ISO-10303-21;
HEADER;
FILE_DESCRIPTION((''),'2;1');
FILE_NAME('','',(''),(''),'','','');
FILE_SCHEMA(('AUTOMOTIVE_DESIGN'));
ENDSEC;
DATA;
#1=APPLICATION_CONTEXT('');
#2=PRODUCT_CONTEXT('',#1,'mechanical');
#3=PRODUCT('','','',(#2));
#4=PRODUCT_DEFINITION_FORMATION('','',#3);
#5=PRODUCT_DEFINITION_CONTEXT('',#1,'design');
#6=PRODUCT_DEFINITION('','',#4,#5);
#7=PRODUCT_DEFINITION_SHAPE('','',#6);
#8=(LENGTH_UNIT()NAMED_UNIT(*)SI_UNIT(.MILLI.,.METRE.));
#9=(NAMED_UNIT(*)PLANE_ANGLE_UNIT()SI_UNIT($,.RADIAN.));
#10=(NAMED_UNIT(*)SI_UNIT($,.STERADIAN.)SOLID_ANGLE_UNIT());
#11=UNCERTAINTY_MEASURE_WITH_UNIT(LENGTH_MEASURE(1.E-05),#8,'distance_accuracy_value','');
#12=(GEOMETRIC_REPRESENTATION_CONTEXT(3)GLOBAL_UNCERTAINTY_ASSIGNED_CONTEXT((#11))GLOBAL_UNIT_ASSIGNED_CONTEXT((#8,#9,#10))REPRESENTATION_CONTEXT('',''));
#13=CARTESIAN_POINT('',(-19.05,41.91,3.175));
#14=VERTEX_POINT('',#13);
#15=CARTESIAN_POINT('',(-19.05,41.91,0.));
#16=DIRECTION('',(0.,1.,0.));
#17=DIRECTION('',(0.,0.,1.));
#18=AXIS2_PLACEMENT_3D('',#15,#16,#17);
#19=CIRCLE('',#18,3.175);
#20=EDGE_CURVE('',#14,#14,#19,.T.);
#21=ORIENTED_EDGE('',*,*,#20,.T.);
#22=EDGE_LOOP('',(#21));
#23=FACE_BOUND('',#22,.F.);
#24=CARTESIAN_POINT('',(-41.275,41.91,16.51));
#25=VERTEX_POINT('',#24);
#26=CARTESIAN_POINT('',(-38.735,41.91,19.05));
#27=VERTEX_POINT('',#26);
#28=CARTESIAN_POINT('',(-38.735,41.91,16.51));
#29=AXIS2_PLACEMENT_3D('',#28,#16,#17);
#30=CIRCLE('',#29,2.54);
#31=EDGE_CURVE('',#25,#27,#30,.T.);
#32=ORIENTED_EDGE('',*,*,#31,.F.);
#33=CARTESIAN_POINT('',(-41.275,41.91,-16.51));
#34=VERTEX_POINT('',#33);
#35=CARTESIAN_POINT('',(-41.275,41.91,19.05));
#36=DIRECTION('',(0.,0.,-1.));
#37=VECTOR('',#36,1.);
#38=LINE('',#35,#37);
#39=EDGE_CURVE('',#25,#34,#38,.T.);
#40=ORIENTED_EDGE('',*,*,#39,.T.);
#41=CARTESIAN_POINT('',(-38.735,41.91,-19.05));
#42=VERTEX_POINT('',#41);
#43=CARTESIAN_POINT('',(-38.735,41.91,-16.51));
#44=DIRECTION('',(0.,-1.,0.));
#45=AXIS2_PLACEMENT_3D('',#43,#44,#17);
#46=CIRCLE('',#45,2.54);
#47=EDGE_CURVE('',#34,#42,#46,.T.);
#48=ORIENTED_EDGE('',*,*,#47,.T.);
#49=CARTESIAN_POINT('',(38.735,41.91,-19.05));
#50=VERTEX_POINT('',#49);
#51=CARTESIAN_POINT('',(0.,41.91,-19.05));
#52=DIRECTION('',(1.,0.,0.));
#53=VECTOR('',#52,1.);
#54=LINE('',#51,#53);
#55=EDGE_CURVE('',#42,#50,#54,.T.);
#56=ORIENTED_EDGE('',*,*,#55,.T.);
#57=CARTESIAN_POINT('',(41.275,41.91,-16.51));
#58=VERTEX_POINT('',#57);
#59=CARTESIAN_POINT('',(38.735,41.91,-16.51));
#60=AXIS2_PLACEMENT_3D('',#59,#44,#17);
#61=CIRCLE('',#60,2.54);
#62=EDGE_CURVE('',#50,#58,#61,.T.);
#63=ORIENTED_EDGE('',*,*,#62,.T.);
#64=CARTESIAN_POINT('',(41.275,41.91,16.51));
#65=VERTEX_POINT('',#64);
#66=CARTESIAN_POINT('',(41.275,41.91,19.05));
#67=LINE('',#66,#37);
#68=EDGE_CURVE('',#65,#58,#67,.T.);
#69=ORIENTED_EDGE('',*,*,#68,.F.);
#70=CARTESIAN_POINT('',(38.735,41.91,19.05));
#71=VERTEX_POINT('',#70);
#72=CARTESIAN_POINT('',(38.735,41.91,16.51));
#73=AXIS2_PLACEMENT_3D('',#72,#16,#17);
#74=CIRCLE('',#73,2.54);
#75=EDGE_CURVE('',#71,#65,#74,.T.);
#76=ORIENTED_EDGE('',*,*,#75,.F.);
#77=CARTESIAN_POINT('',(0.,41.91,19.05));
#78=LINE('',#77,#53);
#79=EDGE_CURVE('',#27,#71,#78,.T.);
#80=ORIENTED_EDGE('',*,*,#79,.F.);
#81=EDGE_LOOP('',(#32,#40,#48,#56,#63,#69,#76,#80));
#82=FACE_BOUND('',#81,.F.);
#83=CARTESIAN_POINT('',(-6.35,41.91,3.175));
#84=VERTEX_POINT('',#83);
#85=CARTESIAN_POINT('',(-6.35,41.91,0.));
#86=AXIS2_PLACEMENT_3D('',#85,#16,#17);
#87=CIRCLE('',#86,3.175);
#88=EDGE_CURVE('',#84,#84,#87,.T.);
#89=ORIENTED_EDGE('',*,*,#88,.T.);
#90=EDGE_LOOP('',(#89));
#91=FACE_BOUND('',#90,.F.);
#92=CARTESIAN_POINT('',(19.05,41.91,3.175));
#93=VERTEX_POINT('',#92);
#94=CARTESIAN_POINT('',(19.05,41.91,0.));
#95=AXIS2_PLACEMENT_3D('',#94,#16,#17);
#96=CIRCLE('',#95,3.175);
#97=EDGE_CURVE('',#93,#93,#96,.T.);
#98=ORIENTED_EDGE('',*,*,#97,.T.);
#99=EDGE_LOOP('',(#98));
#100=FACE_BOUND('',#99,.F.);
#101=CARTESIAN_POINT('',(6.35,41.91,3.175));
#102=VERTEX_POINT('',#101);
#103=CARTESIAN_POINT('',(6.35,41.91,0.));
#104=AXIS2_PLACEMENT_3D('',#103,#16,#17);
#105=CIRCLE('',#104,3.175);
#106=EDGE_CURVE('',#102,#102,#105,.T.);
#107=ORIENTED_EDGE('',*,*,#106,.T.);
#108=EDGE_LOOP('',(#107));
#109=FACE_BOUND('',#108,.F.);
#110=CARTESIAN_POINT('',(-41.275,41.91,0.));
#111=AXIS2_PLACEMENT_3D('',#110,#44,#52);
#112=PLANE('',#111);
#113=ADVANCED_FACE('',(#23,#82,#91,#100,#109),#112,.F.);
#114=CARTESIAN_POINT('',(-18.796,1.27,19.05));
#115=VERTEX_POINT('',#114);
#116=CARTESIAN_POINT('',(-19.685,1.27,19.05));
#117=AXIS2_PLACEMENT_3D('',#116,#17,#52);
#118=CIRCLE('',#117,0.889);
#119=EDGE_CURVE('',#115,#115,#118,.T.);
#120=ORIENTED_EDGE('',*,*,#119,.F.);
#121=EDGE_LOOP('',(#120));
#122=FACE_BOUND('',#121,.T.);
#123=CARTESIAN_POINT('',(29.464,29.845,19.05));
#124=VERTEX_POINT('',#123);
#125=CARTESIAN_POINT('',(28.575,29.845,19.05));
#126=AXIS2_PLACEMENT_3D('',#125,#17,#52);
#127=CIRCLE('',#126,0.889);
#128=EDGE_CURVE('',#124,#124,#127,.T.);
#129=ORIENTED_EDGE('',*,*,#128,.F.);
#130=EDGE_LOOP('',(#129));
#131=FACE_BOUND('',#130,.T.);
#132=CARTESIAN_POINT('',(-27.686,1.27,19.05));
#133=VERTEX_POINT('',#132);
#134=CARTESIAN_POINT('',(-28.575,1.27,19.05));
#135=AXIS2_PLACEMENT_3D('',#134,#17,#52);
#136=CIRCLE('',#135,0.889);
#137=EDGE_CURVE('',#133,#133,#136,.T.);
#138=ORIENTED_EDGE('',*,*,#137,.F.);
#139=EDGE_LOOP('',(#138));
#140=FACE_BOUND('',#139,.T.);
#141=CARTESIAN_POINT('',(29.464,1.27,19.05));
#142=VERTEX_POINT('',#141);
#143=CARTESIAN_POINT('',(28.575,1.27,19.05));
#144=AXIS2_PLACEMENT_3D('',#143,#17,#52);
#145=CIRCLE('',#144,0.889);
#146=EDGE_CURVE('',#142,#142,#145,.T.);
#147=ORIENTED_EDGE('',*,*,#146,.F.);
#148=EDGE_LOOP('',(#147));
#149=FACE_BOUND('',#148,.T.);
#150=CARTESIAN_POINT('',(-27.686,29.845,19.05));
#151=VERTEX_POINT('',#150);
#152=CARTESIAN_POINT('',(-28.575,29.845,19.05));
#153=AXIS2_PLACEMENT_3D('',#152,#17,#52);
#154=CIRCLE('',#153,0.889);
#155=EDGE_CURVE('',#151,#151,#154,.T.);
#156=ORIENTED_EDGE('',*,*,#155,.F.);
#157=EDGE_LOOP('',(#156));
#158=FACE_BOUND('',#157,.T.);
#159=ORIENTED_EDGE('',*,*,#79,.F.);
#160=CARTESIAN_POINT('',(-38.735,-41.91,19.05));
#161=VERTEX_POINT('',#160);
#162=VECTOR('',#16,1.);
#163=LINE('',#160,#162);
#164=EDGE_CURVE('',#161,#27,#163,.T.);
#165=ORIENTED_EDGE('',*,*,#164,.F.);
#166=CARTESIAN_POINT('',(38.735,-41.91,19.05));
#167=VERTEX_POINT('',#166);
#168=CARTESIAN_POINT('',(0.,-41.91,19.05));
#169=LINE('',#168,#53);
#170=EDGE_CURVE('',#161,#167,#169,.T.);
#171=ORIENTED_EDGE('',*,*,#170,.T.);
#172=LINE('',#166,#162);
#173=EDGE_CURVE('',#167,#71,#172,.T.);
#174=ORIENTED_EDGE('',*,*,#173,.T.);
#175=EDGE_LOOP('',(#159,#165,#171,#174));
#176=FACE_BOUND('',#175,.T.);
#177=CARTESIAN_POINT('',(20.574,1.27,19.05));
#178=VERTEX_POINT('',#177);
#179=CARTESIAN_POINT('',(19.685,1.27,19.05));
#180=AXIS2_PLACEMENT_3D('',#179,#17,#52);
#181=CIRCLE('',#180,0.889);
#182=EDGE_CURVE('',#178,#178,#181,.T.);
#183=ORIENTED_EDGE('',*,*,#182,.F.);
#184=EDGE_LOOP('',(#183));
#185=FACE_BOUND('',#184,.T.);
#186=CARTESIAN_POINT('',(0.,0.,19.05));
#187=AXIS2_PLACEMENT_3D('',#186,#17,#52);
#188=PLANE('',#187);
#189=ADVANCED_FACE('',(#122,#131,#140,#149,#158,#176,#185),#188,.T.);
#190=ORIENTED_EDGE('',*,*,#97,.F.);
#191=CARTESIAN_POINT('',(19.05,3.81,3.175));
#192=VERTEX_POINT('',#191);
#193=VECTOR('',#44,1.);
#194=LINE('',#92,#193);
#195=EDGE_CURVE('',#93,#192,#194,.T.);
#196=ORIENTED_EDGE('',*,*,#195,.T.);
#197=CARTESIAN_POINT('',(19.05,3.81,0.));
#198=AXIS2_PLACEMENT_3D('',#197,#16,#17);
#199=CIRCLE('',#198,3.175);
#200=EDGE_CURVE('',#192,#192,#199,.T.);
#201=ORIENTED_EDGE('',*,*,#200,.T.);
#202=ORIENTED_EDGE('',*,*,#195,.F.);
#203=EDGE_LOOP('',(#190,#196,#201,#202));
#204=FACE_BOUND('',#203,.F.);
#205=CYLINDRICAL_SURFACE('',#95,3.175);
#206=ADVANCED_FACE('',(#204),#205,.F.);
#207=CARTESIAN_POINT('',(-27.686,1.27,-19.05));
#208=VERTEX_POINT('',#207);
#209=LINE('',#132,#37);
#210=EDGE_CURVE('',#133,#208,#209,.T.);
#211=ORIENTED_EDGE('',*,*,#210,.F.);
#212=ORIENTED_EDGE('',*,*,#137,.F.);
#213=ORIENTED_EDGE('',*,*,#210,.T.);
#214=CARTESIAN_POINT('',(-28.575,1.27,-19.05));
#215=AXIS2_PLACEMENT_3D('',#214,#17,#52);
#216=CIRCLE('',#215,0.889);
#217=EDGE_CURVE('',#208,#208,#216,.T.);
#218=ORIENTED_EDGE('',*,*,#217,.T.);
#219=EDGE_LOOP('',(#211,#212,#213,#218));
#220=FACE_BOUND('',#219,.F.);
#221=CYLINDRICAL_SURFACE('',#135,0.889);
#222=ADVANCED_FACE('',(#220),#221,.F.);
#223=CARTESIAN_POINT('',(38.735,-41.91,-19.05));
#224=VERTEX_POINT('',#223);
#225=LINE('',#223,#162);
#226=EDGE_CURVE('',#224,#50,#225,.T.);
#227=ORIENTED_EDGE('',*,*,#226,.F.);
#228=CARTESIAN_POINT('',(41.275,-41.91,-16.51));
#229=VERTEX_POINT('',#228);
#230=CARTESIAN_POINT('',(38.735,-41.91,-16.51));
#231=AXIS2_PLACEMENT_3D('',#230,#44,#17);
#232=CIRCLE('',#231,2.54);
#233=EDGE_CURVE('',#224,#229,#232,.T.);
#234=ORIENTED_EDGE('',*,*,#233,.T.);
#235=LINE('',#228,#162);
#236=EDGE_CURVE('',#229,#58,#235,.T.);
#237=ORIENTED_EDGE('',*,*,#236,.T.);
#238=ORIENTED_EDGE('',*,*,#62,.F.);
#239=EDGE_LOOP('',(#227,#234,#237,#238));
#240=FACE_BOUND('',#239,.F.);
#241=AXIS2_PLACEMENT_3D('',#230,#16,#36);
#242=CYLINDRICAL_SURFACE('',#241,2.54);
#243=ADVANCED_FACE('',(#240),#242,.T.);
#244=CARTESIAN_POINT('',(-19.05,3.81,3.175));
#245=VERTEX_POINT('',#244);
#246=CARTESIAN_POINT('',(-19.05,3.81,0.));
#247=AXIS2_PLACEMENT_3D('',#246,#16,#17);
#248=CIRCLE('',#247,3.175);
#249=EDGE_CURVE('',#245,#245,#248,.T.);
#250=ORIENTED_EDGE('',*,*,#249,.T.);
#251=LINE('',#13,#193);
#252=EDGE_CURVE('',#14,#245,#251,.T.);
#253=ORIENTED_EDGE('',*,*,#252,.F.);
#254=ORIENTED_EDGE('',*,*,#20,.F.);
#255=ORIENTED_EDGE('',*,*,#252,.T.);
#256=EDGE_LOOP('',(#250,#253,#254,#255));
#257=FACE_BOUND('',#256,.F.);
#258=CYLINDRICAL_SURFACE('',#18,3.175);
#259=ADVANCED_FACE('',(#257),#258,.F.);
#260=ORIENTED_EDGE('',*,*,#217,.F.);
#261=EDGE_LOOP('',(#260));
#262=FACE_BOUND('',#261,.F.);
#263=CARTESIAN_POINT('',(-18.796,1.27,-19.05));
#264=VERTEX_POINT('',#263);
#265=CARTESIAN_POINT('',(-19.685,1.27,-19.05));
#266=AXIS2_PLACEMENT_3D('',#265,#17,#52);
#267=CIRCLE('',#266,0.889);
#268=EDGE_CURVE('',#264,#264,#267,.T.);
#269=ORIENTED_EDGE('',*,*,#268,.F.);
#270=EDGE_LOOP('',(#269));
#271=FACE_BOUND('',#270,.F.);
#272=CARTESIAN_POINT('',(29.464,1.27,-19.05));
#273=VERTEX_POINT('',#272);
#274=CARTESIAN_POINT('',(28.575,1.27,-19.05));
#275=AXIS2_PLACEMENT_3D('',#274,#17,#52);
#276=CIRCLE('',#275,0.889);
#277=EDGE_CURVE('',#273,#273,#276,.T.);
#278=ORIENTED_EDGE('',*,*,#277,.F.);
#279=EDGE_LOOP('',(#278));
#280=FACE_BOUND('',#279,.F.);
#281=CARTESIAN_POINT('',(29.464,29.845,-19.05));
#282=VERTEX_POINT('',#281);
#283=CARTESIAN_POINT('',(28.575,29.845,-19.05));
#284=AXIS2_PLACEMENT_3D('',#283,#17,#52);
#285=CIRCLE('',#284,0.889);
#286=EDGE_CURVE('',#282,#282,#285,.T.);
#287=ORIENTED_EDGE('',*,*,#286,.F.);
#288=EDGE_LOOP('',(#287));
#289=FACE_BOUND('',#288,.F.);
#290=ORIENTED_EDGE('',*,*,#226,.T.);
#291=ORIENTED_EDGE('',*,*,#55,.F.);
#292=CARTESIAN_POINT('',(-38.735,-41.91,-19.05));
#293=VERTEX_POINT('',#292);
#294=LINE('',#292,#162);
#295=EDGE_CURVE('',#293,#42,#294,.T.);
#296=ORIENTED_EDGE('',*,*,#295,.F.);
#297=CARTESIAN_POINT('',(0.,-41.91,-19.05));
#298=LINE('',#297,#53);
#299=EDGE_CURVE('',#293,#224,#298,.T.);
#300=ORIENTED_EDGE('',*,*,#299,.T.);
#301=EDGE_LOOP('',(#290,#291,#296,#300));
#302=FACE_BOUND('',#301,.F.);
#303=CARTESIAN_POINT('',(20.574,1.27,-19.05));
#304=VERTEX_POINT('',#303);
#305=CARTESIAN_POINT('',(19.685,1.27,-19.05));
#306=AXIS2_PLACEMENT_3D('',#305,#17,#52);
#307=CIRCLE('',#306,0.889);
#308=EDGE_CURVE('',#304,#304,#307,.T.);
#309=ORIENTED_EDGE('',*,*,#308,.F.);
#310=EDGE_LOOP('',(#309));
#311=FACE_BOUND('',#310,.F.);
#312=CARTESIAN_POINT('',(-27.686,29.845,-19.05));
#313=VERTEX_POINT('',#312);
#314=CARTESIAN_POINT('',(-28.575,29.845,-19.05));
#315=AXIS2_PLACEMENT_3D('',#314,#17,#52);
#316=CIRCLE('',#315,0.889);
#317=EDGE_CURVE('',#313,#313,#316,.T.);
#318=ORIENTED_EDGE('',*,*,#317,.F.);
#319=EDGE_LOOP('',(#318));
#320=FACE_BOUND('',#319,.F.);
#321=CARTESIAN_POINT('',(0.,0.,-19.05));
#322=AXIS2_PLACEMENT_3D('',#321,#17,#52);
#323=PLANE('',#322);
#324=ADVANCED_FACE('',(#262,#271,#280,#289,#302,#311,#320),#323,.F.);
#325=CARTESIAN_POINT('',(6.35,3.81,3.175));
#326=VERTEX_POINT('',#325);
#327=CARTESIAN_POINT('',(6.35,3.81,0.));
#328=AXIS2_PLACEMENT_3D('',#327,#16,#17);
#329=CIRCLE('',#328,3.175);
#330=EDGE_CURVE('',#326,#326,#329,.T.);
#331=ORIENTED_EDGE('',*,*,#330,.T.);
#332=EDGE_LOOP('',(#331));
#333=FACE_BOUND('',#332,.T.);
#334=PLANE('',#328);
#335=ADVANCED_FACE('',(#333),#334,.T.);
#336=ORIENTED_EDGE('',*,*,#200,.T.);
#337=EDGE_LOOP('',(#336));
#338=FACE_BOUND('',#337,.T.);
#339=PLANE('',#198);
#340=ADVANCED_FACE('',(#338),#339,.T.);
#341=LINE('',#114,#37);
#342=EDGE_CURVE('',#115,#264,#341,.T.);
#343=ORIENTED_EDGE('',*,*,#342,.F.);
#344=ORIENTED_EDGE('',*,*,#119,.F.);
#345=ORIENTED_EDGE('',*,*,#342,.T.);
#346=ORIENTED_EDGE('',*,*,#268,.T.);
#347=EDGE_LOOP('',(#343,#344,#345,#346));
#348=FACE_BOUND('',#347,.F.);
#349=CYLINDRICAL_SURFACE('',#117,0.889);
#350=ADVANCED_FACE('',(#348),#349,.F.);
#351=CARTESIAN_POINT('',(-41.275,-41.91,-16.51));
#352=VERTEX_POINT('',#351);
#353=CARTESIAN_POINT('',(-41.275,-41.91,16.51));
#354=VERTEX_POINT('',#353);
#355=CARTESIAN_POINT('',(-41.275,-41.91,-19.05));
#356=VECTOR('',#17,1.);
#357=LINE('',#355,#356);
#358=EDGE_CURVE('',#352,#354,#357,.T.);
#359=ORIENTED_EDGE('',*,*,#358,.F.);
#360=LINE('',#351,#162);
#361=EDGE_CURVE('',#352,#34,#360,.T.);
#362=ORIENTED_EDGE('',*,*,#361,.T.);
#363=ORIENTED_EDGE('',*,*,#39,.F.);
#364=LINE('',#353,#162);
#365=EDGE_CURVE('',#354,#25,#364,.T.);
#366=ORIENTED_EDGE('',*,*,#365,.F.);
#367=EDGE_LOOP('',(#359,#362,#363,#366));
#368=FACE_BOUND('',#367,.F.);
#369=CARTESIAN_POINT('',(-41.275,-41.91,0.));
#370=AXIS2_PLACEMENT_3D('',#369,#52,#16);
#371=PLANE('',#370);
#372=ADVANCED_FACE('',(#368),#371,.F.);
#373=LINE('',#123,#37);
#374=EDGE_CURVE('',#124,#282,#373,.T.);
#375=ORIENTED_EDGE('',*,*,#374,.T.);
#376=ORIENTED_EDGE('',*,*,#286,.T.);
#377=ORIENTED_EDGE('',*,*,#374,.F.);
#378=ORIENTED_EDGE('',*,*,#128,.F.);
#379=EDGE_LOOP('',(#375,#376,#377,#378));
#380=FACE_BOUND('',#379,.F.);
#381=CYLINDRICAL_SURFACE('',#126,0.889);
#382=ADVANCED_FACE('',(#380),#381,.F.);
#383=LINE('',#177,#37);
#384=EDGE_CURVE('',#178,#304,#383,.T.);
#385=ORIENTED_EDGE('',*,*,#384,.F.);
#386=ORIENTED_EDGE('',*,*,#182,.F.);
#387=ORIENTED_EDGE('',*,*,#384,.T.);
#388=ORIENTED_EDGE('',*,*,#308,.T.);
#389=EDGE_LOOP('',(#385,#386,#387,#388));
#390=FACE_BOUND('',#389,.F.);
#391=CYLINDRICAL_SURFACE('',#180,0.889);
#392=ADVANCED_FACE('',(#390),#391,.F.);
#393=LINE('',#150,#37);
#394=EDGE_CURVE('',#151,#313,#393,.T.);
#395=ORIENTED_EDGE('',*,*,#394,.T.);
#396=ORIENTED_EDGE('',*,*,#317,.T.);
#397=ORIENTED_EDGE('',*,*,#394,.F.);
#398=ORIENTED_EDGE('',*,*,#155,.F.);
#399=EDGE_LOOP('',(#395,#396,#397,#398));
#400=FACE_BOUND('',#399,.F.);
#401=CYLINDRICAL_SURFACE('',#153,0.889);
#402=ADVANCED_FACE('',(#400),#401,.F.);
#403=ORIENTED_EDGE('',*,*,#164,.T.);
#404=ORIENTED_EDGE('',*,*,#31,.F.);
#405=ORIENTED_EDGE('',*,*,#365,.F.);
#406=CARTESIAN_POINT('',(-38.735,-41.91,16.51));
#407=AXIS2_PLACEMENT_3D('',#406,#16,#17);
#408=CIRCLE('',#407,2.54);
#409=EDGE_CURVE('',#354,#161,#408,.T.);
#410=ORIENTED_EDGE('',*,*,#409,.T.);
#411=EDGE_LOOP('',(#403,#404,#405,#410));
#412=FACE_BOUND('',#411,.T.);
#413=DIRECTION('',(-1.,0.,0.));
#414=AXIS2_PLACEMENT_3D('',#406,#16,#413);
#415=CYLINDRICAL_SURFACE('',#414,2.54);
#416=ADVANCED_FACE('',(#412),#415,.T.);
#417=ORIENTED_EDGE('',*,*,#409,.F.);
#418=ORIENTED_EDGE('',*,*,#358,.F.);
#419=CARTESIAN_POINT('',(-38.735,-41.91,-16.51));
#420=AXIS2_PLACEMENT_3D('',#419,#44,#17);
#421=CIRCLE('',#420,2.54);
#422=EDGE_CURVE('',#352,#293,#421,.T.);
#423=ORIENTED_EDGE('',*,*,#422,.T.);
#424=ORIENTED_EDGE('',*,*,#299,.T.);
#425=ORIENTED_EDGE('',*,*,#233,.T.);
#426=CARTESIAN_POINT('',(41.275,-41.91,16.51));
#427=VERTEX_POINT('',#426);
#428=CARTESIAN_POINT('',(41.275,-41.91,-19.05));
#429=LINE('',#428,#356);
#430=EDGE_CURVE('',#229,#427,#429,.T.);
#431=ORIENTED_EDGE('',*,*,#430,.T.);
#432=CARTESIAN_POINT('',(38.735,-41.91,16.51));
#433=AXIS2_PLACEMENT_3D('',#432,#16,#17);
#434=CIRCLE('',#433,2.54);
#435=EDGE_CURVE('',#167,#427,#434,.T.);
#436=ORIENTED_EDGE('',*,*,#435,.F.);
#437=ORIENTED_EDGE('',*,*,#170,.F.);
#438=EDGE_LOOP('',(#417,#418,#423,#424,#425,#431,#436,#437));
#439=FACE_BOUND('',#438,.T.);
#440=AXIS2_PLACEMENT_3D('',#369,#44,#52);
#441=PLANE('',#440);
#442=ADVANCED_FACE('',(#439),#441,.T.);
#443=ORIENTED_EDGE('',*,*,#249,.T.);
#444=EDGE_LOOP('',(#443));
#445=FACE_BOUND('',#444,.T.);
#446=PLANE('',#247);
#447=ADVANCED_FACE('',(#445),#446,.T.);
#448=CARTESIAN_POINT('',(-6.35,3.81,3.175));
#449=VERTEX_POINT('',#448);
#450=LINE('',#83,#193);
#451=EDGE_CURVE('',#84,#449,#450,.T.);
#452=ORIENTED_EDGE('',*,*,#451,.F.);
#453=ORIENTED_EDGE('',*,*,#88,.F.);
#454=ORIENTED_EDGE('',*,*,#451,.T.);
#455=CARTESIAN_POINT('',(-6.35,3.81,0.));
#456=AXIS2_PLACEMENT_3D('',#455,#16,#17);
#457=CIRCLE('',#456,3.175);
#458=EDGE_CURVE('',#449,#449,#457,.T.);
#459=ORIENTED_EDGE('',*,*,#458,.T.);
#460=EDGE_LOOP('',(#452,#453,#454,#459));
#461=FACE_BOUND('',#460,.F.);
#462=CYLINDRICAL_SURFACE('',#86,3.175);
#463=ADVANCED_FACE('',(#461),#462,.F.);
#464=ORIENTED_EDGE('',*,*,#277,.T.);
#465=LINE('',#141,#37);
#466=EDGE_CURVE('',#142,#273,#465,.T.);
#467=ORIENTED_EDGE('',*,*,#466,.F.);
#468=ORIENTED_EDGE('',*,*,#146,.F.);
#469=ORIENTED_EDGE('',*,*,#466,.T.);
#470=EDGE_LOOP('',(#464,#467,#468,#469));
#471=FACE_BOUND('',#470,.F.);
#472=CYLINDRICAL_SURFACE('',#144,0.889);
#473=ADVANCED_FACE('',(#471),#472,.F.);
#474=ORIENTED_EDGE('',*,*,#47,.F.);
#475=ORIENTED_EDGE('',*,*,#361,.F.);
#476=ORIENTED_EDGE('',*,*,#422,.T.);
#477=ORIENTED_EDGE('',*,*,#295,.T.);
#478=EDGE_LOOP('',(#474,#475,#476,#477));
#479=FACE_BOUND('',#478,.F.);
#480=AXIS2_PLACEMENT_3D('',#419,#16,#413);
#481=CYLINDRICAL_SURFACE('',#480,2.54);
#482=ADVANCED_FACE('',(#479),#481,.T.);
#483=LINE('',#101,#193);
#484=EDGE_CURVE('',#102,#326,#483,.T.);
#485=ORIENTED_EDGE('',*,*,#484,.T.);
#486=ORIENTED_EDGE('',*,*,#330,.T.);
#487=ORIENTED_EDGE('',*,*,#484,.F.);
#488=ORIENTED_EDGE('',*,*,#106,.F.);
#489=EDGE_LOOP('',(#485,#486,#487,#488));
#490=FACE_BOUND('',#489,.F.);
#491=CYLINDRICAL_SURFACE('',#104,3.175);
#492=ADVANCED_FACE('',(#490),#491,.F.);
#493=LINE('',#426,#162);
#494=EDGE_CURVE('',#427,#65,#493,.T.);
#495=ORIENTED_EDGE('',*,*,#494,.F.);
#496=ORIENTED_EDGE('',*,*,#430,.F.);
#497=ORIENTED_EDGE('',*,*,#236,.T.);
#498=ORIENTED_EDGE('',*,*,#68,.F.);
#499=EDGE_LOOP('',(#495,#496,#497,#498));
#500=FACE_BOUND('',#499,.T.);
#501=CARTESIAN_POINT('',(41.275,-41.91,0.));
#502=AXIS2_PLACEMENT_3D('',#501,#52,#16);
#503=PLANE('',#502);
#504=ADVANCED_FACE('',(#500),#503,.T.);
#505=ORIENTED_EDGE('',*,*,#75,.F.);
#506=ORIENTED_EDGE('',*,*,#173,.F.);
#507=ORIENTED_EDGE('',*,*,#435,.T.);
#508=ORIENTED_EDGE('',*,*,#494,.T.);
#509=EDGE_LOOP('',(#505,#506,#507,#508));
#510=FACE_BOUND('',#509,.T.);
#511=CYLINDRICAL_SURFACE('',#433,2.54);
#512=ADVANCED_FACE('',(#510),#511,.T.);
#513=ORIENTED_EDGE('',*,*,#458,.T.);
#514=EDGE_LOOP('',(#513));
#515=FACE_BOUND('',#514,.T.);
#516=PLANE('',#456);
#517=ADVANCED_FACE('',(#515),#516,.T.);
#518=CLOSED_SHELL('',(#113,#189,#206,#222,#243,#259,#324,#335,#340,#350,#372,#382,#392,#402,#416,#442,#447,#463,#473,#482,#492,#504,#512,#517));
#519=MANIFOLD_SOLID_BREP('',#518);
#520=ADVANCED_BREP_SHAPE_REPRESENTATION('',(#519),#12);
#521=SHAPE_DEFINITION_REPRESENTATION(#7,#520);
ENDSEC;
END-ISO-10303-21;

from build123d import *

# Parameters (mm, degrees)
SKETCH1_W           = 82.55
SKETCH1_H           = 83.82
BOSS_EXTRUDE1_DEPTH = 19.05
SKETCH2_R           = 0.889
CUT_EXTRUDE1_DEPTH  = 71.083405489
FILLET1_R           = 2.54
SKETCH3_R           = 3.175
CUT_EXTRUDE2_DEPTH  = 38.1


with BuildPart() as part:
    # Sketch1 → Boss-Extrude1 (new, symmetric)
    with BuildSketch(Plane.XY):
        Rectangle(SKETCH1_W, SKETCH1_H)
    extrude(amount=BOSS_EXTRUDE1_DEPTH, both=True)

    # Sketch2 → Cut-Extrude1 (cut, through all)
    with BuildSketch(Plane.XY.offset(19.05)):
        with Locations((-28.575, 29.845)):
            Circle(SKETCH2_R)
        with Locations((28.575, 29.845)):
            Circle(SKETCH2_R)
        with Locations((28.575, 1.27)):
            Circle(SKETCH2_R)
        with Locations((-28.575, 1.27)):
            Circle(SKETCH2_R)
        with Locations((-19.685, 1.27)):
            Circle(SKETCH2_R)
        with Locations((19.685, 1.27)):
            Circle(SKETCH2_R)
    extrude(amount=-CUT_EXTRUDE1_DEPTH, mode=Mode.SUBTRACT)

    # Fillet1
    fillet1_edges = [part.edges().sort_by_distance(p)[0] for p in [
        (-41.275, 0, 19.05),
        (41.275, 0, 19.05),
        (-41.275, 0, -19.05),
        (41.275, 0, -19.05),
    ]]
    fillet(fillet1_edges, radius=FILLET1_R)

    # Sketch3 → Cut-Extrude2 (cut)
    with BuildSketch(Plane(origin=(0, 41.91, 0), x_dir=(1, 0, 0), z_dir=(0, 1, 0))):
        with Locations(Location((-6.35, 0, 0), (0, 0, 270))):
            Circle(SKETCH3_R)
        with Locations(Location((6.35, 0, 0), (0, 0, 270))):
            Circle(SKETCH3_R)
        with Locations(Location((19.05, 0, 0), (0, 0, 270))):
            Circle(SKETCH3_R)
        with Locations(Location((-19.05, 0, 0), (0, 0, 270))):
            Circle(SKETCH3_R)
    extrude(amount=-CUT_EXTRUDE2_DEPTH, mode=Mode.SUBTRACT)


solid = part.part
